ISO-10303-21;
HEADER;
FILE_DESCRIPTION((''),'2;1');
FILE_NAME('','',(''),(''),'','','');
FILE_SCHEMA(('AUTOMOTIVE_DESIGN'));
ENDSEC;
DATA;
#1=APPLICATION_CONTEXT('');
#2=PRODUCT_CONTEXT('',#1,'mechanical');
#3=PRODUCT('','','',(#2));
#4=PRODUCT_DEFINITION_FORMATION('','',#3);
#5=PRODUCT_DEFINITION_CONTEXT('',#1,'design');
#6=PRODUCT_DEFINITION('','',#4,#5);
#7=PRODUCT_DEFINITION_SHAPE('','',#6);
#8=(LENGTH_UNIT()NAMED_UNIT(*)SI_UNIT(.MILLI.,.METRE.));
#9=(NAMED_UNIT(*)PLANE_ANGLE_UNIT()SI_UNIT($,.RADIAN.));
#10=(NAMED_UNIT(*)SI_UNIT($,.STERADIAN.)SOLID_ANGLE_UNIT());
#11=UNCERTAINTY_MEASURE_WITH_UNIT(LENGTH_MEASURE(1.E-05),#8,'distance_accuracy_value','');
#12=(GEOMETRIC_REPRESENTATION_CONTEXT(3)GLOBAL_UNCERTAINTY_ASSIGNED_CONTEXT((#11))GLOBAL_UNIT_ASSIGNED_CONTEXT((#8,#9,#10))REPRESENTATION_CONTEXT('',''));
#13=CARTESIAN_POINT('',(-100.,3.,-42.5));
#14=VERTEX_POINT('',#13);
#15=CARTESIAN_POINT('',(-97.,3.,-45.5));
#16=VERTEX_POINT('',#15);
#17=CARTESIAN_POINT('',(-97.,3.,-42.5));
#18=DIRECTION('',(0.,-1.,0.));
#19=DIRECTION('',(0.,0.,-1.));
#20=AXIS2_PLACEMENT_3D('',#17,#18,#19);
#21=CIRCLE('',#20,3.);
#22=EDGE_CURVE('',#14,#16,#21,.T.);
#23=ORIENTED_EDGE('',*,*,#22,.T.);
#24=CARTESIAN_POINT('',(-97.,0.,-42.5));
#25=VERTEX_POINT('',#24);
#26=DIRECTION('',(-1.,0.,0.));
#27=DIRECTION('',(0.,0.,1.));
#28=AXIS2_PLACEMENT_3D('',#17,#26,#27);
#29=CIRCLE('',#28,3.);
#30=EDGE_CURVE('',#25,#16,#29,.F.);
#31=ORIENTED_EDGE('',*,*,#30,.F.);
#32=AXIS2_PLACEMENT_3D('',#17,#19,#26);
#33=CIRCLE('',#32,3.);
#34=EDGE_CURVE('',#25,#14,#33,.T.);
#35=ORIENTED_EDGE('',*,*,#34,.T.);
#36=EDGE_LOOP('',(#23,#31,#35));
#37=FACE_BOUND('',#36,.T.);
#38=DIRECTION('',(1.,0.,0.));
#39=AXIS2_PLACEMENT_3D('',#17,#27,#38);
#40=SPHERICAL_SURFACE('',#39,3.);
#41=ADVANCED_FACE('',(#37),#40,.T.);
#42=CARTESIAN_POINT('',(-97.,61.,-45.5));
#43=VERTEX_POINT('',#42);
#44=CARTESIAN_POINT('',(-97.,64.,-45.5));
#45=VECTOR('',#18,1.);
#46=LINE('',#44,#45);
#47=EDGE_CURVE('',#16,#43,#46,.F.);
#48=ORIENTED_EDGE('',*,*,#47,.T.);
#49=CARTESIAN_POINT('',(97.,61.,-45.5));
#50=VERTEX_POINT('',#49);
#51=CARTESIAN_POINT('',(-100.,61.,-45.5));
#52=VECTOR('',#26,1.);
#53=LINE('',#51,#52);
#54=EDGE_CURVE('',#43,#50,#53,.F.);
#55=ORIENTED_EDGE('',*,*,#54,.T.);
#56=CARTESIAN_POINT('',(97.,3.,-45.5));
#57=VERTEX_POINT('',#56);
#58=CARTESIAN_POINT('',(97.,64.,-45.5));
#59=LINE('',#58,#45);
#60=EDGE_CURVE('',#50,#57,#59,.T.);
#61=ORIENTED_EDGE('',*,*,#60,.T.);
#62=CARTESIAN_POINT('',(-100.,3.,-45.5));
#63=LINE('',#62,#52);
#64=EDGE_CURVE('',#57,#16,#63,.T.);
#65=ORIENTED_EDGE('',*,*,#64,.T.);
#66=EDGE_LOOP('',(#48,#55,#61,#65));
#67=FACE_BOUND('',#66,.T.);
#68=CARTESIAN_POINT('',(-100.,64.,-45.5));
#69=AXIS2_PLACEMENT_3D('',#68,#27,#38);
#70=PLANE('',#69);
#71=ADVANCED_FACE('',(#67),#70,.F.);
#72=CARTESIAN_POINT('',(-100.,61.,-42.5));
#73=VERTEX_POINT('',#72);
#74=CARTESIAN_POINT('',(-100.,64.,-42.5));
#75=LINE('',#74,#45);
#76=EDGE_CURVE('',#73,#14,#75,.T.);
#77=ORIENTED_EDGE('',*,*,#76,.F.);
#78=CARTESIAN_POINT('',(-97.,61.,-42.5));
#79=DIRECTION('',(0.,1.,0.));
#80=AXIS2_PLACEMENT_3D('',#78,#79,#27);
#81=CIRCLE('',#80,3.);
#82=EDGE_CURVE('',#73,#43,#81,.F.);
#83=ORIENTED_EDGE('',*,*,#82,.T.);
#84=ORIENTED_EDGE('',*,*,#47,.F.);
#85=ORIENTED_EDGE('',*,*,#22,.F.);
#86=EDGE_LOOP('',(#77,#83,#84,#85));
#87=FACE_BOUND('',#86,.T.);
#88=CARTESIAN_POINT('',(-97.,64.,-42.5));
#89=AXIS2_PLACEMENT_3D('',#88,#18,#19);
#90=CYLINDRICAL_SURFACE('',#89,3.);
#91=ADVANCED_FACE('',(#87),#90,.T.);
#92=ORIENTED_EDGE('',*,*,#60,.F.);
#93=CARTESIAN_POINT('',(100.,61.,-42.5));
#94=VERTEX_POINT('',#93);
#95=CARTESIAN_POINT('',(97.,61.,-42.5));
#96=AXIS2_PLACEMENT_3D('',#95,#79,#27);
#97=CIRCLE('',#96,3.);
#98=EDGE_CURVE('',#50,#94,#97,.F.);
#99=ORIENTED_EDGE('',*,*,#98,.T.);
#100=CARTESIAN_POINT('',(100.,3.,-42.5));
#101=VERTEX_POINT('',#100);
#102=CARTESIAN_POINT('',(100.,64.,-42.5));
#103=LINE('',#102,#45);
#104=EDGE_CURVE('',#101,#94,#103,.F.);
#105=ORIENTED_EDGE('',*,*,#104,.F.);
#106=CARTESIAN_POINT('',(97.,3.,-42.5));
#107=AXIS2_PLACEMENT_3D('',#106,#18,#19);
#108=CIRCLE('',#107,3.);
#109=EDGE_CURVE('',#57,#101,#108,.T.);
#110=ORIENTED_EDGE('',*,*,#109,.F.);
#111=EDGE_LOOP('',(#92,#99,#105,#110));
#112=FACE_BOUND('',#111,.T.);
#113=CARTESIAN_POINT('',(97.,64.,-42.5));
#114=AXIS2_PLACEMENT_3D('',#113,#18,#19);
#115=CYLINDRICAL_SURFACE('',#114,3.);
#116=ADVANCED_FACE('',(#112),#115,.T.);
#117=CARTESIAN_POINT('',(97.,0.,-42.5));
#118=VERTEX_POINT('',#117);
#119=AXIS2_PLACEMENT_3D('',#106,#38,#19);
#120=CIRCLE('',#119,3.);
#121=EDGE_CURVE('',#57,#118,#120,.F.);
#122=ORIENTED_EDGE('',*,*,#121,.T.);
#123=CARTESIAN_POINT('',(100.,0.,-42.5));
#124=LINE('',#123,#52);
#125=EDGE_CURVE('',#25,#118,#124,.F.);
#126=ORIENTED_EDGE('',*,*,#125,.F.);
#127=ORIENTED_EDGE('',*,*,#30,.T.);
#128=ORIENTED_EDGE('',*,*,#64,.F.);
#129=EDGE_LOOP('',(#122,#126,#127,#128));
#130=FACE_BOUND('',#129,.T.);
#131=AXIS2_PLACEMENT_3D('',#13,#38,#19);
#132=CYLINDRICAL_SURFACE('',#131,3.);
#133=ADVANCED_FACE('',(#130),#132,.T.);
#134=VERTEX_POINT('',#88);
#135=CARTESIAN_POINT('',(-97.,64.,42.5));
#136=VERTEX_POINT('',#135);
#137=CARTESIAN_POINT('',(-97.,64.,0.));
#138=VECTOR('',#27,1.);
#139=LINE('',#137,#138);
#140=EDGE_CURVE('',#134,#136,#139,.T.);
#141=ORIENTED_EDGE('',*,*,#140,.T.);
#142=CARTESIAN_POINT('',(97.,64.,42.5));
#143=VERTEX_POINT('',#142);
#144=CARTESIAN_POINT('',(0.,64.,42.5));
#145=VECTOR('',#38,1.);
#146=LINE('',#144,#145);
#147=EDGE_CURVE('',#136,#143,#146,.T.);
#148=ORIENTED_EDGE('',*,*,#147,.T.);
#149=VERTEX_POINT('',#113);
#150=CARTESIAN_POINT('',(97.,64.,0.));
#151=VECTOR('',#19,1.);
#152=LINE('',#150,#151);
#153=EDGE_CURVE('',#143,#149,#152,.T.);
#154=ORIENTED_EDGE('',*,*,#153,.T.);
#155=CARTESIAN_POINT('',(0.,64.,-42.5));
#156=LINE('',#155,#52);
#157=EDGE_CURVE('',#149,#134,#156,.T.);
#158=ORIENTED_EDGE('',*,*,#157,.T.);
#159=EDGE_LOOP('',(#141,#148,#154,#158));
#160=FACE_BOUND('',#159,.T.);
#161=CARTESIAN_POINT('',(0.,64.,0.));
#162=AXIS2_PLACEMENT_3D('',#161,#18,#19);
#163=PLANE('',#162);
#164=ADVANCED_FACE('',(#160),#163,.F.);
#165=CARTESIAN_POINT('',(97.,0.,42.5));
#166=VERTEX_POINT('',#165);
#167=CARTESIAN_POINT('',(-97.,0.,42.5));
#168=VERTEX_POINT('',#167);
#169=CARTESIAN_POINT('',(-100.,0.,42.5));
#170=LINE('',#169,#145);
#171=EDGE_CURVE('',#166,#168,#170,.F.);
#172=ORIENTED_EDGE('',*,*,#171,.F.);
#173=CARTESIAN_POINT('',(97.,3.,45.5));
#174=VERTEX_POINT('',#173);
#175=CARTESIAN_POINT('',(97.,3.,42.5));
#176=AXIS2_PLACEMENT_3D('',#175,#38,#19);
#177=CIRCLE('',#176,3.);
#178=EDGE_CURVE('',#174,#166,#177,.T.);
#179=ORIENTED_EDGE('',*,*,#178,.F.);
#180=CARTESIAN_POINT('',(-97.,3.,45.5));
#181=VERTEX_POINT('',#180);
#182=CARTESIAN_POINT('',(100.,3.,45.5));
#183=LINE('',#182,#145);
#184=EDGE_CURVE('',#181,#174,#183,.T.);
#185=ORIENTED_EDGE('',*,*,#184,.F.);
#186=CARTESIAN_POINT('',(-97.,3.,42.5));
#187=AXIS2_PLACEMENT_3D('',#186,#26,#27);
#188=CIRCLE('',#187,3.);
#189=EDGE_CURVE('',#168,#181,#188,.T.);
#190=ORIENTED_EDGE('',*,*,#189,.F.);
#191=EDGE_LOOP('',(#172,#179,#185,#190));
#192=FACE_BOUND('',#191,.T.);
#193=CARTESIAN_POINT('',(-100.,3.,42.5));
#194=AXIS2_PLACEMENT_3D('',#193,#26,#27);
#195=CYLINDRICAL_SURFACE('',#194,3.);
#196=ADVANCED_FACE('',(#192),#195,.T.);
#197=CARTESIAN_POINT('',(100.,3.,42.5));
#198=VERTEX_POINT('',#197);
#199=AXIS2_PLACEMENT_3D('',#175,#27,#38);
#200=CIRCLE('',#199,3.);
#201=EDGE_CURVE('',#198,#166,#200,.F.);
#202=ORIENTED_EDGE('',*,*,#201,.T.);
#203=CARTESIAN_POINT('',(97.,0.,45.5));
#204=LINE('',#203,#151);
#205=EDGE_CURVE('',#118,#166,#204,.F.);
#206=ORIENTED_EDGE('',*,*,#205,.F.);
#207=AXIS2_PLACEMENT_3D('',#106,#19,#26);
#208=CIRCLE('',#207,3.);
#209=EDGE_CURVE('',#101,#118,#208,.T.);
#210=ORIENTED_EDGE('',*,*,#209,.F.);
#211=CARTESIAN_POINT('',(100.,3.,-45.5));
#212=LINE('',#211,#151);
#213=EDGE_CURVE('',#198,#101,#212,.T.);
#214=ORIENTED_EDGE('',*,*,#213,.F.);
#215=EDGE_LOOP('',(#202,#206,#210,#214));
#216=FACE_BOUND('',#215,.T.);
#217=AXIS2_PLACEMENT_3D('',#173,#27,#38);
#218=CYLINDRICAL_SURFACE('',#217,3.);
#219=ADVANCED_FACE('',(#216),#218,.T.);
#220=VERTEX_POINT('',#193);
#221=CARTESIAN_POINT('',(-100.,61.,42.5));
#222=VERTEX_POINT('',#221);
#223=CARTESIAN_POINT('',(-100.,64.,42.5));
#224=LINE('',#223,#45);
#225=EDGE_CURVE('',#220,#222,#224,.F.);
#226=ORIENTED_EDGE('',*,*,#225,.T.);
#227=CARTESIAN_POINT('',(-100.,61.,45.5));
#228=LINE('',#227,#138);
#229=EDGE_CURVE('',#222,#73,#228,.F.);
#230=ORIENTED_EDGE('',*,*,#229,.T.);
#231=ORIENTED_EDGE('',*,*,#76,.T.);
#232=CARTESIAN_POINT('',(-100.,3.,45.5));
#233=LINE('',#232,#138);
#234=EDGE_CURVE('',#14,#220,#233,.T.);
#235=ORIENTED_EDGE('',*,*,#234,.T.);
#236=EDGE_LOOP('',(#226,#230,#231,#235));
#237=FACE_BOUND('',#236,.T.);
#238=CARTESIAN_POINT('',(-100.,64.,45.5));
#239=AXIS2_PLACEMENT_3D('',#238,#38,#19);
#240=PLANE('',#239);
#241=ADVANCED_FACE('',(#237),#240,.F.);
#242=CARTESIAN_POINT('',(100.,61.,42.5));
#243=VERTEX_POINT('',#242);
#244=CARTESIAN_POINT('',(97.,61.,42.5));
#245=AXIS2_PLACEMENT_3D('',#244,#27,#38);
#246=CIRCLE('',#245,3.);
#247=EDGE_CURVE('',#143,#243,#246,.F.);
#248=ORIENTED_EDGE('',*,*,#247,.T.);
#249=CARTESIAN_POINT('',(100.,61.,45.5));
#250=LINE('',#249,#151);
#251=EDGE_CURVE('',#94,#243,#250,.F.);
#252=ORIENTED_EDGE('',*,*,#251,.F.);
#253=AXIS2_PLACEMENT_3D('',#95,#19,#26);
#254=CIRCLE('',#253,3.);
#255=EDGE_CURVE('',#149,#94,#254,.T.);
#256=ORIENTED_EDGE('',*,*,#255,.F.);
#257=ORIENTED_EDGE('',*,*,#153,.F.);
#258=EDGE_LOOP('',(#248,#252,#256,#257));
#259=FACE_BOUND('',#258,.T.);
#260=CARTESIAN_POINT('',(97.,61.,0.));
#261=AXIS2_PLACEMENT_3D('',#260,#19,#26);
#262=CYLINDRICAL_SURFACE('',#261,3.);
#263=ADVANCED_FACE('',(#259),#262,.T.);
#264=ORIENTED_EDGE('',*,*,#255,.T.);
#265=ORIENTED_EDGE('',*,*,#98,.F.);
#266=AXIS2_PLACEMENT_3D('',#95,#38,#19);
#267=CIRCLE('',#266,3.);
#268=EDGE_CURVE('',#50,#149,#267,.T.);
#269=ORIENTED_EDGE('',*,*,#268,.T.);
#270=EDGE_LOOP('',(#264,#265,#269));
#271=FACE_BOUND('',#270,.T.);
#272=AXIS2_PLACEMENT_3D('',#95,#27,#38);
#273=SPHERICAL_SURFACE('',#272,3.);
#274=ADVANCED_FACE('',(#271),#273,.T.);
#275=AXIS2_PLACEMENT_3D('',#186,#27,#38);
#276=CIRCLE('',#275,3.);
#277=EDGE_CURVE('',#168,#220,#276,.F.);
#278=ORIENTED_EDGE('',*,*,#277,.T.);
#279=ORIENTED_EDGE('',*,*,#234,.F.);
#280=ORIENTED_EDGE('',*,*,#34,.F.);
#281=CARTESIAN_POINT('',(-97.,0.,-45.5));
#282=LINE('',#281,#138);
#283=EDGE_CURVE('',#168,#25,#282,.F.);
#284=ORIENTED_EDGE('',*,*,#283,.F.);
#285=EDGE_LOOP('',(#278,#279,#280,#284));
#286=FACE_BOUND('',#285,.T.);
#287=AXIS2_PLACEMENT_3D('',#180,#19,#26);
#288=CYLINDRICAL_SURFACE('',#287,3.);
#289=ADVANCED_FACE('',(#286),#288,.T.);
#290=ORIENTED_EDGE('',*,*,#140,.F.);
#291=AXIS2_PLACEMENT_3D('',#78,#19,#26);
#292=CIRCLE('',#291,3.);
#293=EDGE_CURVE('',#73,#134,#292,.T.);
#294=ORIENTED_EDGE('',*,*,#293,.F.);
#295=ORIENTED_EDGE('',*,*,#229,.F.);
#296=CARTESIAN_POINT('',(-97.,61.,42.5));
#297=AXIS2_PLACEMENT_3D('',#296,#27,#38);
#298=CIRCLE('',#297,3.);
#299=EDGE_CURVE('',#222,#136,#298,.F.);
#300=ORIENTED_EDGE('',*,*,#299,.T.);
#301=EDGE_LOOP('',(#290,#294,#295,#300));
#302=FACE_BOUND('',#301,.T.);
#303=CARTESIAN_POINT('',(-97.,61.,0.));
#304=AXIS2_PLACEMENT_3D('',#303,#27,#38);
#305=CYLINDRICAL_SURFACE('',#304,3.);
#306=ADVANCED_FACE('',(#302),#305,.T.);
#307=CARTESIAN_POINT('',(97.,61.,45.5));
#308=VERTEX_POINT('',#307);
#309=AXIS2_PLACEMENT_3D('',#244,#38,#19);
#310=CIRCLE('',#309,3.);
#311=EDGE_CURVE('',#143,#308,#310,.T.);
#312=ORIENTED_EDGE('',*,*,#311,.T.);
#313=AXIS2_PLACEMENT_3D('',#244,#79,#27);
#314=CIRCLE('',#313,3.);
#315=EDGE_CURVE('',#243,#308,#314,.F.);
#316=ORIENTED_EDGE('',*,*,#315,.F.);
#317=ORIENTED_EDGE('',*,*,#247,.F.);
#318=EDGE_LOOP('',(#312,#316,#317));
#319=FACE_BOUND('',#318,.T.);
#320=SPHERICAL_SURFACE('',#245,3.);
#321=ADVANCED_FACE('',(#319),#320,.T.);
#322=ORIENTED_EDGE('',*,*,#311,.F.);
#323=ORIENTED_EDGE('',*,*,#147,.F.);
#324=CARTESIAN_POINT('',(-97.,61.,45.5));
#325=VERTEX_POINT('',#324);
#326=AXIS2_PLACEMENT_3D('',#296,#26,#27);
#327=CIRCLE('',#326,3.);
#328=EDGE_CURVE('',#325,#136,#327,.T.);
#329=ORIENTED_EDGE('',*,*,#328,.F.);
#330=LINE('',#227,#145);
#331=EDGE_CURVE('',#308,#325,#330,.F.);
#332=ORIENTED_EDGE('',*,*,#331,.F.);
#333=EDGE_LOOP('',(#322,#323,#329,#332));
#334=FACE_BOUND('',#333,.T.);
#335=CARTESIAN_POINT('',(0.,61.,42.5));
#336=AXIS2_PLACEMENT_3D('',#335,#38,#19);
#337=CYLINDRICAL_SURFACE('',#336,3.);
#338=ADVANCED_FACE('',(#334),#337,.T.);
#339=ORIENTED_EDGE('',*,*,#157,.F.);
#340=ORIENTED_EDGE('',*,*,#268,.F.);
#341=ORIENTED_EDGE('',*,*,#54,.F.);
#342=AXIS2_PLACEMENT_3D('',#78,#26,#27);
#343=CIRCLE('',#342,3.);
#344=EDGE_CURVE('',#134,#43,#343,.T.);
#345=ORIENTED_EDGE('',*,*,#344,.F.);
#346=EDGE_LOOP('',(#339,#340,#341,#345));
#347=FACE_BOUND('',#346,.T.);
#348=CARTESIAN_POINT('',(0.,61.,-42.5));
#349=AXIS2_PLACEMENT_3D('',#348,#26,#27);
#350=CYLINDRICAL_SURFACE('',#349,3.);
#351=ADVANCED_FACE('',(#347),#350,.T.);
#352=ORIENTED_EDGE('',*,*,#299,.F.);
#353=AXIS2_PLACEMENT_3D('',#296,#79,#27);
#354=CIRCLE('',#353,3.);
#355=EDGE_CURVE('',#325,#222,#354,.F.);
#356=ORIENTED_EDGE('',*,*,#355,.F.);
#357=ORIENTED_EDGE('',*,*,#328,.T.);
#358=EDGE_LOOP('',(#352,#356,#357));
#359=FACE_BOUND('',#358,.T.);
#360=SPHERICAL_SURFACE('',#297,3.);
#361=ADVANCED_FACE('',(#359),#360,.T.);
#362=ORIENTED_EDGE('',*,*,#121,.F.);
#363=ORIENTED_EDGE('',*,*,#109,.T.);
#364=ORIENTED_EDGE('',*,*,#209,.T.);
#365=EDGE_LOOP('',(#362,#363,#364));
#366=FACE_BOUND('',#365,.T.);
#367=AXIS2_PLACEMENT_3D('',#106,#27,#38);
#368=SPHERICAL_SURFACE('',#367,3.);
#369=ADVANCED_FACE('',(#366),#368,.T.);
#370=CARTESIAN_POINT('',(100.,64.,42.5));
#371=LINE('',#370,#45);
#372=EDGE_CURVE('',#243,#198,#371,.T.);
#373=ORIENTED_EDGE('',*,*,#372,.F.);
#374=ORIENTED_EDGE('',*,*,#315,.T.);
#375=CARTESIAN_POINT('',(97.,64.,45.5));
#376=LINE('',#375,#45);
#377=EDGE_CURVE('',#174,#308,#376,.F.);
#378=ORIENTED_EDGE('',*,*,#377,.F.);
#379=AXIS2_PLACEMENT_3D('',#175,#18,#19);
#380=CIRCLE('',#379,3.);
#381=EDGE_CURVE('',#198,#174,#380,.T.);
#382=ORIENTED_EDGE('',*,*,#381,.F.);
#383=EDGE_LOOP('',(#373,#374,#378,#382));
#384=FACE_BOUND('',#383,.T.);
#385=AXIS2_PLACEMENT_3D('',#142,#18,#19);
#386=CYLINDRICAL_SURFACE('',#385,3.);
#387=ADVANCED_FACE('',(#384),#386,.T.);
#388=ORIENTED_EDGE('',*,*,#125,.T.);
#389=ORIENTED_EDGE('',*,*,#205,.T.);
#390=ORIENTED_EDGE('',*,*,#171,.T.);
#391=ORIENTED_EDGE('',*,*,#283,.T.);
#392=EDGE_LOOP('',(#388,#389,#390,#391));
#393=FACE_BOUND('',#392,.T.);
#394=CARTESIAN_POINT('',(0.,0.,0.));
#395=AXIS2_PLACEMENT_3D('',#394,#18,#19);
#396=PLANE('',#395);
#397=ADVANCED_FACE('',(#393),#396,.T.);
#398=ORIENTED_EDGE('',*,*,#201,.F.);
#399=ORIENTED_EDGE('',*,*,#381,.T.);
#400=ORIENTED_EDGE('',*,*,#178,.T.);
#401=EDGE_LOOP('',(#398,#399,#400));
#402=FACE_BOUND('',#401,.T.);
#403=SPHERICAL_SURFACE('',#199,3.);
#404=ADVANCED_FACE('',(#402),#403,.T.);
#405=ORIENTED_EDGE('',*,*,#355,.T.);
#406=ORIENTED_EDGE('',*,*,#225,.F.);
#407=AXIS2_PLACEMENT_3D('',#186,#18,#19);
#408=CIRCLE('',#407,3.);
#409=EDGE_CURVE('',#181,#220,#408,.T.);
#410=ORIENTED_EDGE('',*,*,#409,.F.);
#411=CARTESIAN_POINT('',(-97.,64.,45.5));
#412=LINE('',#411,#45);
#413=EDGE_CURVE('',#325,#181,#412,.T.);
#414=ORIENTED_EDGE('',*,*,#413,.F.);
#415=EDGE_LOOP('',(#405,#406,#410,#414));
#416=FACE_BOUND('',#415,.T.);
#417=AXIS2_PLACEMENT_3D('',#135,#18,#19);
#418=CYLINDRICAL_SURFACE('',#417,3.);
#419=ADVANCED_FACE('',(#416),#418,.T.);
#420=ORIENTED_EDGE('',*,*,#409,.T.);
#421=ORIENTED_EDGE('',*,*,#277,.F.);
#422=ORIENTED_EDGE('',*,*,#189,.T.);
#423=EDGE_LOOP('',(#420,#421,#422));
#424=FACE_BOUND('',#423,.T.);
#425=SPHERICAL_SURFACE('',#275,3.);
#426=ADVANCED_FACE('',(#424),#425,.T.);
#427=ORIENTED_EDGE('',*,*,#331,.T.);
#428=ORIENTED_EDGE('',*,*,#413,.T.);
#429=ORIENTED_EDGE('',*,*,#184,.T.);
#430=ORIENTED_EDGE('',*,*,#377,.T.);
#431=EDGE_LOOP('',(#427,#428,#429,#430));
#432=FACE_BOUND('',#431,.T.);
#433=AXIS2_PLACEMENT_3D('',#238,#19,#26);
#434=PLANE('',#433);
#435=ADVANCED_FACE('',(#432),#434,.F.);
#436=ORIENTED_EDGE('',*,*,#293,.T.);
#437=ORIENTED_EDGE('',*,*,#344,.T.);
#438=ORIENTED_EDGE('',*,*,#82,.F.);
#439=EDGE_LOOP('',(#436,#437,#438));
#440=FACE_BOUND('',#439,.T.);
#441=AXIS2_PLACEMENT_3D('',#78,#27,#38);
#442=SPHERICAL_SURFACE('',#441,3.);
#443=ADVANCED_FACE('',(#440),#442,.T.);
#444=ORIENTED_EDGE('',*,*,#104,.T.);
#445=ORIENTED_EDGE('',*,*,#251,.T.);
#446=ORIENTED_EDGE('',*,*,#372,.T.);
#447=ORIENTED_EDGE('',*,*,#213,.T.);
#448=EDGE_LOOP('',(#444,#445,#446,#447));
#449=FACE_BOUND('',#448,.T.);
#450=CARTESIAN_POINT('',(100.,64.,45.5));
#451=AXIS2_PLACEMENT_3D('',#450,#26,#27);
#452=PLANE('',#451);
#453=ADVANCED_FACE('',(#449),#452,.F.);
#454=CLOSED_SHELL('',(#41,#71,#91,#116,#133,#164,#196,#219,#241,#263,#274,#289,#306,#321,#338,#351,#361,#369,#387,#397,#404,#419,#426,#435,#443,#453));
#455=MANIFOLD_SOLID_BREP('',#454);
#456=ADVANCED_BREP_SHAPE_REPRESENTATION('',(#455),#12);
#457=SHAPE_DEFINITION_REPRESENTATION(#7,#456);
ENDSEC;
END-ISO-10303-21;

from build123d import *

# Parameters (mm, degrees)
SKETCH1_W           = 200
SKETCH1_H           = 91
BOSS_EXTRUDE1_DEPTH = 64
FILLET1_R           = 3


with BuildPart() as part:
    # Sketch1 → Boss-Extrude1 (new body)
    with BuildSketch(Plane(origin=(0, 0, 0), x_dir=(1, 0, 0), z_dir=(0, 1, 0))):
        Rectangle(SKETCH1_W, SKETCH1_H)
    extrude(amount=BOSS_EXTRUDE1_DEPTH)

    # Fillet1
    fillet1_edges = [part.edges().sort_by_distance(p)[0] for p in [
        (-100, 64, 0),
        (0, 64, 45.5),
        (100, 64, 0),
        (0, 0, 45.5),
        (-100, 0, 0),
        (0, 0, -45.5),
        (100, 0, 0),
        (0, 64, -45.5),
        (100, 32, 45.5),
        (-100, 32, 45.5),
        (-100, 32, -45.5),
        (100, 32, -45.5),
    ]]
    fillet(fillet1_edges, radius=FILLET1_R)


solid = part.part
